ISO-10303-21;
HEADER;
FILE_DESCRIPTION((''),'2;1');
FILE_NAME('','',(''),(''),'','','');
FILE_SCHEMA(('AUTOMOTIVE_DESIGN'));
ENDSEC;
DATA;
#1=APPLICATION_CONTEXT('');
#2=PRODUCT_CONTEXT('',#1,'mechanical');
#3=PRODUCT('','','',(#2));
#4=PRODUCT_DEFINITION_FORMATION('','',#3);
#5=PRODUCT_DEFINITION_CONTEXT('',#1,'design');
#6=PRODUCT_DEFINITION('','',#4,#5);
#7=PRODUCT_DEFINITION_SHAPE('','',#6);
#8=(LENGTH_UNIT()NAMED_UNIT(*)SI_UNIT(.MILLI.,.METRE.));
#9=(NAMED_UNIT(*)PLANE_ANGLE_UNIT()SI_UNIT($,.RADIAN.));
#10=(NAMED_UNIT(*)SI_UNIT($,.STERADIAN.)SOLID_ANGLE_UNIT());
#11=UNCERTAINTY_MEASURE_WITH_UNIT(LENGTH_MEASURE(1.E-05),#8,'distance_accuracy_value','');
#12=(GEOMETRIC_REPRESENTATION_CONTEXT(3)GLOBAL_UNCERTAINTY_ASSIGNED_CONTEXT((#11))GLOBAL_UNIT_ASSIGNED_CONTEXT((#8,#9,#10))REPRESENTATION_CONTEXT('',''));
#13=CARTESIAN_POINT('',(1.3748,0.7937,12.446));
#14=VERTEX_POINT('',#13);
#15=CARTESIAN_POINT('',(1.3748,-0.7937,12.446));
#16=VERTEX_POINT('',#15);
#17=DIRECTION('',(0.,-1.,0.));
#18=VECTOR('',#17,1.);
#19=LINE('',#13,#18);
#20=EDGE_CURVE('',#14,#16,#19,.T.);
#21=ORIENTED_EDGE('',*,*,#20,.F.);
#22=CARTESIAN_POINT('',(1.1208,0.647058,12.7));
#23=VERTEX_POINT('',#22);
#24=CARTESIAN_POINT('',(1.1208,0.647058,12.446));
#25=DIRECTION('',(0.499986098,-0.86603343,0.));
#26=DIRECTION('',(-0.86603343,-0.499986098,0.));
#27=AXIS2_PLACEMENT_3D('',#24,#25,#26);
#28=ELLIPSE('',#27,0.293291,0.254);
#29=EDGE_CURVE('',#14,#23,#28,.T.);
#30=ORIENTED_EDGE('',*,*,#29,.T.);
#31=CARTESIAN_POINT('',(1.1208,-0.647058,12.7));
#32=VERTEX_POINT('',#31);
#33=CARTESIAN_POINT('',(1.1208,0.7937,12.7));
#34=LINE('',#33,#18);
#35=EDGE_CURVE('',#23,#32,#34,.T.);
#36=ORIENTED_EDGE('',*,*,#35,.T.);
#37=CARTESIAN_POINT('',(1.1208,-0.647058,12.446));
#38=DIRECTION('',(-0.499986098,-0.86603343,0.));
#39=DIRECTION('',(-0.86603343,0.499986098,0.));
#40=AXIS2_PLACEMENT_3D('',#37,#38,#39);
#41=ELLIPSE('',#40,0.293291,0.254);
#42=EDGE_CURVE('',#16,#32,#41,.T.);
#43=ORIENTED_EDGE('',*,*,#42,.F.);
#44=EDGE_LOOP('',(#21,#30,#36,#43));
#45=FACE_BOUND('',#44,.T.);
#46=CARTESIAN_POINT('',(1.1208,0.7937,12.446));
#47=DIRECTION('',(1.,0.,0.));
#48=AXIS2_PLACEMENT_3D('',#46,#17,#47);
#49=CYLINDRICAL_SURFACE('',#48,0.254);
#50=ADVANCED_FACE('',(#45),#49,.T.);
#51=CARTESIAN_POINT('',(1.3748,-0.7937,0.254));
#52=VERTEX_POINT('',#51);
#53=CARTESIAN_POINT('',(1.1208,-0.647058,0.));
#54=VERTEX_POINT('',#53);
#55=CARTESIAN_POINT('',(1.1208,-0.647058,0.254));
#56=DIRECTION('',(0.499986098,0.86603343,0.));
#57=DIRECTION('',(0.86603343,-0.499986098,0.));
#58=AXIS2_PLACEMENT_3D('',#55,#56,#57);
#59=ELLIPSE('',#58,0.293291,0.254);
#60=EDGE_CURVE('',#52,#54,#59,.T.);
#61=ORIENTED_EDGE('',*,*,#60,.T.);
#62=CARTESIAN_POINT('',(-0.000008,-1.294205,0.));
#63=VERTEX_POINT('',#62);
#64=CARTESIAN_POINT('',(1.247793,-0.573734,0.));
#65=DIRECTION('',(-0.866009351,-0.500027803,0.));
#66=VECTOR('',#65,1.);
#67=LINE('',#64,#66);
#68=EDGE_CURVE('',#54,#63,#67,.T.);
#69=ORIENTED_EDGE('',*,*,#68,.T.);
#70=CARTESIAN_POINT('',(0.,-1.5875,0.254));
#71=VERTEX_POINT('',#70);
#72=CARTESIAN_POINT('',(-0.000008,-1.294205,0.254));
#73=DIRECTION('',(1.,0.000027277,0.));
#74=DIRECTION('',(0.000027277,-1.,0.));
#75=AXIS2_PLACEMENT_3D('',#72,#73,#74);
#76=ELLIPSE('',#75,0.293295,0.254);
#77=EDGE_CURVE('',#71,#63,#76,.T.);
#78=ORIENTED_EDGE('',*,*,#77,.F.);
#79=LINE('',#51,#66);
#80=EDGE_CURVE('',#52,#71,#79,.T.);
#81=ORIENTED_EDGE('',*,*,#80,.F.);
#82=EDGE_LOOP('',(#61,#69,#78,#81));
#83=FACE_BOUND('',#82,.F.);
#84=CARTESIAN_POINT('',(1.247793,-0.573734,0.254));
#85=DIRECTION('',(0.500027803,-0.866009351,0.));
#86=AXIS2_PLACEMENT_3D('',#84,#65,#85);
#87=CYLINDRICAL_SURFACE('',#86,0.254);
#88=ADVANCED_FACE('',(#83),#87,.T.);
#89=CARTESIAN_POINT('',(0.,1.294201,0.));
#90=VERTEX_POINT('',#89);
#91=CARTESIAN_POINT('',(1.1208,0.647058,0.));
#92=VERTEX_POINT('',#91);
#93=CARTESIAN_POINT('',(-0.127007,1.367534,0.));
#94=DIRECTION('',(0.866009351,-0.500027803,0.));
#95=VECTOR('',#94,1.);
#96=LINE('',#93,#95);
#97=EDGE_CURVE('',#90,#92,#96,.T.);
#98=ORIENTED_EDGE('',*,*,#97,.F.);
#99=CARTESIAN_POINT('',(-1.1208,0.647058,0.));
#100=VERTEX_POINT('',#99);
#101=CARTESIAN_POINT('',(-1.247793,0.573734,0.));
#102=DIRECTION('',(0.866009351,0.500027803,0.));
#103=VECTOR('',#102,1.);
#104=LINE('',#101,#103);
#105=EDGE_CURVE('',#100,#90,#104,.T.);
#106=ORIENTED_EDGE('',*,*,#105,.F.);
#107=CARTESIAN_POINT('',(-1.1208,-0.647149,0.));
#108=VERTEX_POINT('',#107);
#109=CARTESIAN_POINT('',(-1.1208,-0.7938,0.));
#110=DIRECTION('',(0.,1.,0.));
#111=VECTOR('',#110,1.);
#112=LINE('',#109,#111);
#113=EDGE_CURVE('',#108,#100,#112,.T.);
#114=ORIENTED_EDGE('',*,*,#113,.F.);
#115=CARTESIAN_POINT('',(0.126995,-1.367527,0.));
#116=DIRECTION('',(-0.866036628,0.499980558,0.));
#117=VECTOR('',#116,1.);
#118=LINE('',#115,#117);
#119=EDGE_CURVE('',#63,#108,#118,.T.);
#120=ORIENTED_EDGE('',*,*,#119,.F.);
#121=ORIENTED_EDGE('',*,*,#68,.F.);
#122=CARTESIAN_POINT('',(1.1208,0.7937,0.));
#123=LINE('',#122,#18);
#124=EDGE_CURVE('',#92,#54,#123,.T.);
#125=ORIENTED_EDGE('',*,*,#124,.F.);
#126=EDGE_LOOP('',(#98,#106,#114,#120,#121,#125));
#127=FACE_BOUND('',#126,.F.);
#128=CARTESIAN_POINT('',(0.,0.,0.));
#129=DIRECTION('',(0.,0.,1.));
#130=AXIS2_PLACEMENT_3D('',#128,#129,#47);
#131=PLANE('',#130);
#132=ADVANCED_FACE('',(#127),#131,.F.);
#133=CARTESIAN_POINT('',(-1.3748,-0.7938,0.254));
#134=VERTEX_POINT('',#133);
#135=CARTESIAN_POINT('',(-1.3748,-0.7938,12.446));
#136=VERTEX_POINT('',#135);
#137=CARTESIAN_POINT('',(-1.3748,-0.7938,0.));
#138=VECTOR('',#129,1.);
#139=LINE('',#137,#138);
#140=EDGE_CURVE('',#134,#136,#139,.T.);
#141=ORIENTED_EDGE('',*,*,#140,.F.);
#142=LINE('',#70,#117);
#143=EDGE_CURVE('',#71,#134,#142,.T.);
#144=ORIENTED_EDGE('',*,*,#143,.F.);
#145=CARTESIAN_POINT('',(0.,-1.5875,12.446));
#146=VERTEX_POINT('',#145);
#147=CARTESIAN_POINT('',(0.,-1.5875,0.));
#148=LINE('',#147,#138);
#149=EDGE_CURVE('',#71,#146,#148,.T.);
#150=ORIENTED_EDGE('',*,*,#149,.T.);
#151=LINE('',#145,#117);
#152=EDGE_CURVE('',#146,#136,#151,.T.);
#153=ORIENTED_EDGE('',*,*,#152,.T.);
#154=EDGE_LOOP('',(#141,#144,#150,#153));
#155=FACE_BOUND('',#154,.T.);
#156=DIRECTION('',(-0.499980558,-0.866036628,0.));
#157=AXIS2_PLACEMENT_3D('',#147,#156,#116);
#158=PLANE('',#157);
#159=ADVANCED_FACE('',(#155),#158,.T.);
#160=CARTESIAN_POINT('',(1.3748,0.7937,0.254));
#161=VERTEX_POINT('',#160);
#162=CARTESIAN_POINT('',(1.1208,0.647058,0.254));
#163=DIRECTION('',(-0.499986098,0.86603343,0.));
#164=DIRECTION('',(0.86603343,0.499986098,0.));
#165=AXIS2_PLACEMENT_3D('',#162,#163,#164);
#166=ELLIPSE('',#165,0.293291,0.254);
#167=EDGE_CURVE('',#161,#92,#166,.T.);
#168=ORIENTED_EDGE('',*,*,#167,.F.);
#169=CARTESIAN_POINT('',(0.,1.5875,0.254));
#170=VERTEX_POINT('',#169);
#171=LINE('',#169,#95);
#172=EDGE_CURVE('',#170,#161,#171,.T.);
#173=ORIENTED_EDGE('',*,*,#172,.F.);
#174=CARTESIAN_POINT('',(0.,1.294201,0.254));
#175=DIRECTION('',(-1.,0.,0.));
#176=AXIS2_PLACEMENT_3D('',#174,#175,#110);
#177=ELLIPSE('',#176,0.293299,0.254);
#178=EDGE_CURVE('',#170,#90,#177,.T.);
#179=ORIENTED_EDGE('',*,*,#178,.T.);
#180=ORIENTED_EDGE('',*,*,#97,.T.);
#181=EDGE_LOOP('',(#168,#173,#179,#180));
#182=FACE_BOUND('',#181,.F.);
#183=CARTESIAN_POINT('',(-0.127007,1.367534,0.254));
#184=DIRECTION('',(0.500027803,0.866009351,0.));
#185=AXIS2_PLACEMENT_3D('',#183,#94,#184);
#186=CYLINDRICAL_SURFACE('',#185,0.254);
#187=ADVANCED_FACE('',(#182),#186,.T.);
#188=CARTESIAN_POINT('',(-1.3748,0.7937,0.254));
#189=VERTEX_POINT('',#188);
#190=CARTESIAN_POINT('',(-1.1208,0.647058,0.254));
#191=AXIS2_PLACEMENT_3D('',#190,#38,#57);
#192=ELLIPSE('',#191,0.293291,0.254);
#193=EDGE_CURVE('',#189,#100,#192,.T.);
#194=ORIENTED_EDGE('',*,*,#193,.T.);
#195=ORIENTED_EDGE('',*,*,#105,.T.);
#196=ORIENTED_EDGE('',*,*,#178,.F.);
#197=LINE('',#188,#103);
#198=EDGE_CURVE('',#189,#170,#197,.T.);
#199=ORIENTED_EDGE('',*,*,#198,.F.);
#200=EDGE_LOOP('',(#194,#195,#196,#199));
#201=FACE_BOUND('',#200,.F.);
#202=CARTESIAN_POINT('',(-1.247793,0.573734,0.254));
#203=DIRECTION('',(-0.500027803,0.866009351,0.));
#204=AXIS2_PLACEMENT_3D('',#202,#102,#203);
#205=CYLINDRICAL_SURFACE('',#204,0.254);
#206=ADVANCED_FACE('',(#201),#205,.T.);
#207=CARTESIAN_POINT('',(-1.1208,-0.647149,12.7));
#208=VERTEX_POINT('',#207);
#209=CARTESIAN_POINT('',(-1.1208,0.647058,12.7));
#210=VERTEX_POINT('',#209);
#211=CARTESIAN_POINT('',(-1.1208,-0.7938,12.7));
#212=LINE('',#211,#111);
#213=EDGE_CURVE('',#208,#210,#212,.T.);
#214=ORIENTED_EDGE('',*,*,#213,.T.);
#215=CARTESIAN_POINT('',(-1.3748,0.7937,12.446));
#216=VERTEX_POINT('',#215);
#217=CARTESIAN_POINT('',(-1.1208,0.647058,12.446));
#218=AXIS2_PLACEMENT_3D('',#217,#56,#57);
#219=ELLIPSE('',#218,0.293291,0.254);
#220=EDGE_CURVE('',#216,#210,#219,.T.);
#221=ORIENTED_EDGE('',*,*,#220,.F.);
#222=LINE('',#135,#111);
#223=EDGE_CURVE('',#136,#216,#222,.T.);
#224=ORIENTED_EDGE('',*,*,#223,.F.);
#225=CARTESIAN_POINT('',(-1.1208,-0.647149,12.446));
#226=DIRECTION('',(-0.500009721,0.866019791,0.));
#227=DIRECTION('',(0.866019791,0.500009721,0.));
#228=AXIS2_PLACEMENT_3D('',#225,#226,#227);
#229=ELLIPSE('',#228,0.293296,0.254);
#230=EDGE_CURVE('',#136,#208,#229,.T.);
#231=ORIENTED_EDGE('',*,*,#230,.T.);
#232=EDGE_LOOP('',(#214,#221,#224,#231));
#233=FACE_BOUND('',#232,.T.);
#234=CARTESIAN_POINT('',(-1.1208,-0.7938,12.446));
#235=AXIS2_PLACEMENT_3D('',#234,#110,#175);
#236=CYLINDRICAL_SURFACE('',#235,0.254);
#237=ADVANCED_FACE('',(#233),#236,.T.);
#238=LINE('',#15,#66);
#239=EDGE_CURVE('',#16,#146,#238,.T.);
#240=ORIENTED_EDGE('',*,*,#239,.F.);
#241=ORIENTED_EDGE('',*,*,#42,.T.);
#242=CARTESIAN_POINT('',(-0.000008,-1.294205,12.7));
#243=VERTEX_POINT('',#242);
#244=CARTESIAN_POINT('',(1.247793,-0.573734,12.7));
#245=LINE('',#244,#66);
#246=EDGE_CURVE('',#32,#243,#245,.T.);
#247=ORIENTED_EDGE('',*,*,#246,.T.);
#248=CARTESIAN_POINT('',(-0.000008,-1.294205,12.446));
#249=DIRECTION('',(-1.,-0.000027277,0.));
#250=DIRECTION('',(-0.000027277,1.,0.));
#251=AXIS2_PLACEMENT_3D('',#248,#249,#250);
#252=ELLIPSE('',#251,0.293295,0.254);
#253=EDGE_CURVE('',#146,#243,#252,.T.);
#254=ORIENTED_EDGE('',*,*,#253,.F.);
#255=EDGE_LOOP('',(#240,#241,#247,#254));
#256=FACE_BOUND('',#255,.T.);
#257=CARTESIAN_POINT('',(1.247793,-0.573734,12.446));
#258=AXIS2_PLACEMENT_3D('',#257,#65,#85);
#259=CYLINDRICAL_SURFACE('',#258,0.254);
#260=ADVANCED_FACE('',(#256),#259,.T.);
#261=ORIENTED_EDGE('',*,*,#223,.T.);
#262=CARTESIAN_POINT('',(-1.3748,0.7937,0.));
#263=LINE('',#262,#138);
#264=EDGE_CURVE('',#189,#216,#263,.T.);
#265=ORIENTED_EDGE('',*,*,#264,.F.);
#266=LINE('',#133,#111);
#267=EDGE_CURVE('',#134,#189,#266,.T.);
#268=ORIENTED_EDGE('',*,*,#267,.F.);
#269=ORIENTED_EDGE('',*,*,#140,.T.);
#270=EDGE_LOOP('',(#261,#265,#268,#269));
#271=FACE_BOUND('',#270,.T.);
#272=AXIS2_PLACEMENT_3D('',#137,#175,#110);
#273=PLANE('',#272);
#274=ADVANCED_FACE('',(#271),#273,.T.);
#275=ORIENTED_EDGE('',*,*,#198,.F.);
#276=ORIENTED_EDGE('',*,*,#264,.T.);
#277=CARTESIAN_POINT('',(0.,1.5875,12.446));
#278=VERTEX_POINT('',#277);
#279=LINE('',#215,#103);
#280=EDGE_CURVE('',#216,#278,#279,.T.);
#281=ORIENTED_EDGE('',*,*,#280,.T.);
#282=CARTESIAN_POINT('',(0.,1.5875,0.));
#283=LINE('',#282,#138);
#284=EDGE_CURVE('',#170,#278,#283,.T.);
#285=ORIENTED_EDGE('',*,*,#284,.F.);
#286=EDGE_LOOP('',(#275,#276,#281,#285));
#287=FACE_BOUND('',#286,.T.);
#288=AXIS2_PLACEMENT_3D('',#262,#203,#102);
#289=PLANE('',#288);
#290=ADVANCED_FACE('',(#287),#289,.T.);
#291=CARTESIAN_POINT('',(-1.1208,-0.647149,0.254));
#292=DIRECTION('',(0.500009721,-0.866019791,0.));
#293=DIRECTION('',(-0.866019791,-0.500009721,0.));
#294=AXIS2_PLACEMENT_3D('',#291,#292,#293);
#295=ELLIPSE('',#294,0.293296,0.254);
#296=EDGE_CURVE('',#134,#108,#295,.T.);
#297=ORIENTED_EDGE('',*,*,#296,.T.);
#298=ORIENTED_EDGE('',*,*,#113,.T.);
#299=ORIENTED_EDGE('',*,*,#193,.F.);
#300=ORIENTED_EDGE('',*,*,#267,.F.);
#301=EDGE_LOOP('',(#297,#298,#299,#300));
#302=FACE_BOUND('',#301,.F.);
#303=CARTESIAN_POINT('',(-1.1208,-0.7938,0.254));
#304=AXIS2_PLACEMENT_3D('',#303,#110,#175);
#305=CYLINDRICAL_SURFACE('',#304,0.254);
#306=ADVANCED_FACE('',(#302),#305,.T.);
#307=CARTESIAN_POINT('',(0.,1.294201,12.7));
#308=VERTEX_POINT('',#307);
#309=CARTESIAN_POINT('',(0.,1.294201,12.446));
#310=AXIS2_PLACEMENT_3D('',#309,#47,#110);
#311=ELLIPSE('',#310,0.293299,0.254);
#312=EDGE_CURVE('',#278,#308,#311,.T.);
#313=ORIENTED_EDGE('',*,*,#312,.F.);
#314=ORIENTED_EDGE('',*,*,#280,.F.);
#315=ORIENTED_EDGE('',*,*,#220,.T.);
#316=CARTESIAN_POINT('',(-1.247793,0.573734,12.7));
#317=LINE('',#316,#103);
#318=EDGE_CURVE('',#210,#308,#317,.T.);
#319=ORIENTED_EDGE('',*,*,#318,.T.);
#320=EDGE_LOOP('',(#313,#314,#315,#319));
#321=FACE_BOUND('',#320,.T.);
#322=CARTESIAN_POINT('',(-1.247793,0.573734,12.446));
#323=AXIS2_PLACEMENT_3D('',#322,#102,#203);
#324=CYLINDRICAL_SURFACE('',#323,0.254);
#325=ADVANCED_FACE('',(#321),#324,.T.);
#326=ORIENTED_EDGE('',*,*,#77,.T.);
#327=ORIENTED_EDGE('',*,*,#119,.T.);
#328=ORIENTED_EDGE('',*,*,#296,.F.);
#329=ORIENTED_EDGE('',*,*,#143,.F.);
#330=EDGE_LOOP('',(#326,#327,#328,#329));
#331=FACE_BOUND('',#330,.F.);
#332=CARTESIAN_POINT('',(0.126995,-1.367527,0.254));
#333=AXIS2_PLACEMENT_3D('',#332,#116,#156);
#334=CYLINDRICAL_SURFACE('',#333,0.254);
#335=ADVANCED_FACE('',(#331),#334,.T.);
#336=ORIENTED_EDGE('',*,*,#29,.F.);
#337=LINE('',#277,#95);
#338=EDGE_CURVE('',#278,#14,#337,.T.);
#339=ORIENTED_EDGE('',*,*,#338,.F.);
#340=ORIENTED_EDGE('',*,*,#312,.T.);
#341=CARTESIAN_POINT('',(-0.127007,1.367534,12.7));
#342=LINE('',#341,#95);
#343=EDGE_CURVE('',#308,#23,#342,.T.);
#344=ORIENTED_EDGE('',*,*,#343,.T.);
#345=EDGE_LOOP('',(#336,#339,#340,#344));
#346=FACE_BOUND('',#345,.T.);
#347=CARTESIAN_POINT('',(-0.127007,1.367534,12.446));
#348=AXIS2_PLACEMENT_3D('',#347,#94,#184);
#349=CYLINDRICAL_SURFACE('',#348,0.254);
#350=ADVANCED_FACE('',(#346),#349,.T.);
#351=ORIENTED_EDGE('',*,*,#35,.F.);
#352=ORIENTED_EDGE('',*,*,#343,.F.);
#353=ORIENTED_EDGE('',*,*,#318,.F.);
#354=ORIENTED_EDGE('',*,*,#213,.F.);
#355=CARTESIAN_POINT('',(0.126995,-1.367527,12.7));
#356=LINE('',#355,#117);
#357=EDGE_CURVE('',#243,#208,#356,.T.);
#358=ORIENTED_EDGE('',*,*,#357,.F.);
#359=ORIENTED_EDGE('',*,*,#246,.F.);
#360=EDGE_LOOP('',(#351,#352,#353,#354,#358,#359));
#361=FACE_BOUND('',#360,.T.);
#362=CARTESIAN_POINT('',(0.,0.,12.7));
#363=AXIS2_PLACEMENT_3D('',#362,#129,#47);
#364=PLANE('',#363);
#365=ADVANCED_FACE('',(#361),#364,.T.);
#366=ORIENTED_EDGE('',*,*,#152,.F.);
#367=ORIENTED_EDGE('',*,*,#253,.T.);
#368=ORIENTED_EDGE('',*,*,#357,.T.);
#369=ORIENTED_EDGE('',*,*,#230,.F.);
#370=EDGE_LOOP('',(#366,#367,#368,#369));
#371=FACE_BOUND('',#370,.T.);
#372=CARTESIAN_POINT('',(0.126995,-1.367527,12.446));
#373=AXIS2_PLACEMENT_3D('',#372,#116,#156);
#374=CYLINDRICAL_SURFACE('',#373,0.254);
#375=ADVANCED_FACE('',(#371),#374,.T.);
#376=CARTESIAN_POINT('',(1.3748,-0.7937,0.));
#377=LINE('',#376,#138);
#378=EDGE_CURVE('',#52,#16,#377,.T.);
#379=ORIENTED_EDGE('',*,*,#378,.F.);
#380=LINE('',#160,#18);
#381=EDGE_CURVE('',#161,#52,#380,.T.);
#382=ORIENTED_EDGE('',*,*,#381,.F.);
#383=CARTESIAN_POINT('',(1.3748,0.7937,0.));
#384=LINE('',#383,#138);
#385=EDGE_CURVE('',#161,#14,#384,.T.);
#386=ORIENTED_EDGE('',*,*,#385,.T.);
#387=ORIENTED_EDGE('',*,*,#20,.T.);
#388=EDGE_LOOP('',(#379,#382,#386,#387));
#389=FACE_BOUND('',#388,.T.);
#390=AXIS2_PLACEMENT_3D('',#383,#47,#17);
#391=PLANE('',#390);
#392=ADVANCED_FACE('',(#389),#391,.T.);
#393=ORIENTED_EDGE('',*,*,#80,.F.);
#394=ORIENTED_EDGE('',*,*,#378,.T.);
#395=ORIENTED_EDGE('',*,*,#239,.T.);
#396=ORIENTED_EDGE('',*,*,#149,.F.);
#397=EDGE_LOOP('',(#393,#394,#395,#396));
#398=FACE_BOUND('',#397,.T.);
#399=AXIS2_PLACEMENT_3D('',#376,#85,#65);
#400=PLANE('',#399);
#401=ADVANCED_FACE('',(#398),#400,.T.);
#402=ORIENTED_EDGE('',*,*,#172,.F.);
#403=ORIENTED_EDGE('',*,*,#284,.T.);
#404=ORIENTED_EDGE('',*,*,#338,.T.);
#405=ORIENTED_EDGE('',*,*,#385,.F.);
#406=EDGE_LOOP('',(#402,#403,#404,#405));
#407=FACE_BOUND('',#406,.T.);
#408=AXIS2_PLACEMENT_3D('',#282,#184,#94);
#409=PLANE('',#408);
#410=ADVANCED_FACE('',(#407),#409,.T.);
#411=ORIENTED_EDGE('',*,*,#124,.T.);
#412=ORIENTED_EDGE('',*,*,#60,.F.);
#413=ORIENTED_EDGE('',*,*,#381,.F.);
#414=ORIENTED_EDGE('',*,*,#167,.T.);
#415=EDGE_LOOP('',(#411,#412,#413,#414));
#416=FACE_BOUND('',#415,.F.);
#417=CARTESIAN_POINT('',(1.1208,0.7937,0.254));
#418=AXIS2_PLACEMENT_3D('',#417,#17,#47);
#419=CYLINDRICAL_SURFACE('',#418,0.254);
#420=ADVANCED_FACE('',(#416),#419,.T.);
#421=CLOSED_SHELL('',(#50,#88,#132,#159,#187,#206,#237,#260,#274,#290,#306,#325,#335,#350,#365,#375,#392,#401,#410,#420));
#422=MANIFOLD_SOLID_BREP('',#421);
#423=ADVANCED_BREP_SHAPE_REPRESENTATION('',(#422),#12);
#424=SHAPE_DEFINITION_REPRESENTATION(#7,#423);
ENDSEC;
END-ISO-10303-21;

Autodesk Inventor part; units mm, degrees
ref_plane "YZ Plane" through (0, 0, 0) normal (1, 0, 0) x (0, 1, 0)
ref_plane "XZ Plane" through (0, 0, 0) normal (0, 1, 0) x (-1, 0, 0)
ref_plane "XY Plane" through (0, 0, 0) normal (0, 0, 1) x (1, 0, 0)
sketch "Sketch1" plane through (0, 0, 0) normal (0, 0, 1) x (1, 0, 0)
  line L0 (0, 1.5875) -> (1.3748, 0.7937)
  line L1 (1.3748, 0.7937) -> (1.3748, -0.7937)
  line L2 (1.3748, -0.7937) -> (0, -1.5875)
  line L3 (0, -1.5875) -> (-1.3748, -0.7938)
  line L4 (-1.3748, -0.7938) -> (-1.3748, 0.7937)
  line L5 (-1.3748, 0.7937) -> (0, 1.5875)
  point P0 (0, 0)
  point P1 (0, 0)
  dimension "d0" = 3.175
  dimension "d6" = 1.3748
extrude "Extrusion1" add sketch "Sketch1" along normal blind 12.7
fillet "Fillet1" radius 0.254 12 edges at (-0.6874, 1.1906, 12.7) (-1.3748, 0, 12.7) (-0.6874, -1.1906, 12.7) (0.6874, -1.1906, 12.7) (1.3748, 0, 12.7) (0.6874, 1.1906, 12.7) (-0.6874, 1.1906, 0) (0.6874, 1.1906, 0) (1.3748, 0, 0) (0.6874, -1.1906, 0) (-0.6874, -1.1906, 0) (-1.3748, 0, 0)
properties part number "000107-1"
